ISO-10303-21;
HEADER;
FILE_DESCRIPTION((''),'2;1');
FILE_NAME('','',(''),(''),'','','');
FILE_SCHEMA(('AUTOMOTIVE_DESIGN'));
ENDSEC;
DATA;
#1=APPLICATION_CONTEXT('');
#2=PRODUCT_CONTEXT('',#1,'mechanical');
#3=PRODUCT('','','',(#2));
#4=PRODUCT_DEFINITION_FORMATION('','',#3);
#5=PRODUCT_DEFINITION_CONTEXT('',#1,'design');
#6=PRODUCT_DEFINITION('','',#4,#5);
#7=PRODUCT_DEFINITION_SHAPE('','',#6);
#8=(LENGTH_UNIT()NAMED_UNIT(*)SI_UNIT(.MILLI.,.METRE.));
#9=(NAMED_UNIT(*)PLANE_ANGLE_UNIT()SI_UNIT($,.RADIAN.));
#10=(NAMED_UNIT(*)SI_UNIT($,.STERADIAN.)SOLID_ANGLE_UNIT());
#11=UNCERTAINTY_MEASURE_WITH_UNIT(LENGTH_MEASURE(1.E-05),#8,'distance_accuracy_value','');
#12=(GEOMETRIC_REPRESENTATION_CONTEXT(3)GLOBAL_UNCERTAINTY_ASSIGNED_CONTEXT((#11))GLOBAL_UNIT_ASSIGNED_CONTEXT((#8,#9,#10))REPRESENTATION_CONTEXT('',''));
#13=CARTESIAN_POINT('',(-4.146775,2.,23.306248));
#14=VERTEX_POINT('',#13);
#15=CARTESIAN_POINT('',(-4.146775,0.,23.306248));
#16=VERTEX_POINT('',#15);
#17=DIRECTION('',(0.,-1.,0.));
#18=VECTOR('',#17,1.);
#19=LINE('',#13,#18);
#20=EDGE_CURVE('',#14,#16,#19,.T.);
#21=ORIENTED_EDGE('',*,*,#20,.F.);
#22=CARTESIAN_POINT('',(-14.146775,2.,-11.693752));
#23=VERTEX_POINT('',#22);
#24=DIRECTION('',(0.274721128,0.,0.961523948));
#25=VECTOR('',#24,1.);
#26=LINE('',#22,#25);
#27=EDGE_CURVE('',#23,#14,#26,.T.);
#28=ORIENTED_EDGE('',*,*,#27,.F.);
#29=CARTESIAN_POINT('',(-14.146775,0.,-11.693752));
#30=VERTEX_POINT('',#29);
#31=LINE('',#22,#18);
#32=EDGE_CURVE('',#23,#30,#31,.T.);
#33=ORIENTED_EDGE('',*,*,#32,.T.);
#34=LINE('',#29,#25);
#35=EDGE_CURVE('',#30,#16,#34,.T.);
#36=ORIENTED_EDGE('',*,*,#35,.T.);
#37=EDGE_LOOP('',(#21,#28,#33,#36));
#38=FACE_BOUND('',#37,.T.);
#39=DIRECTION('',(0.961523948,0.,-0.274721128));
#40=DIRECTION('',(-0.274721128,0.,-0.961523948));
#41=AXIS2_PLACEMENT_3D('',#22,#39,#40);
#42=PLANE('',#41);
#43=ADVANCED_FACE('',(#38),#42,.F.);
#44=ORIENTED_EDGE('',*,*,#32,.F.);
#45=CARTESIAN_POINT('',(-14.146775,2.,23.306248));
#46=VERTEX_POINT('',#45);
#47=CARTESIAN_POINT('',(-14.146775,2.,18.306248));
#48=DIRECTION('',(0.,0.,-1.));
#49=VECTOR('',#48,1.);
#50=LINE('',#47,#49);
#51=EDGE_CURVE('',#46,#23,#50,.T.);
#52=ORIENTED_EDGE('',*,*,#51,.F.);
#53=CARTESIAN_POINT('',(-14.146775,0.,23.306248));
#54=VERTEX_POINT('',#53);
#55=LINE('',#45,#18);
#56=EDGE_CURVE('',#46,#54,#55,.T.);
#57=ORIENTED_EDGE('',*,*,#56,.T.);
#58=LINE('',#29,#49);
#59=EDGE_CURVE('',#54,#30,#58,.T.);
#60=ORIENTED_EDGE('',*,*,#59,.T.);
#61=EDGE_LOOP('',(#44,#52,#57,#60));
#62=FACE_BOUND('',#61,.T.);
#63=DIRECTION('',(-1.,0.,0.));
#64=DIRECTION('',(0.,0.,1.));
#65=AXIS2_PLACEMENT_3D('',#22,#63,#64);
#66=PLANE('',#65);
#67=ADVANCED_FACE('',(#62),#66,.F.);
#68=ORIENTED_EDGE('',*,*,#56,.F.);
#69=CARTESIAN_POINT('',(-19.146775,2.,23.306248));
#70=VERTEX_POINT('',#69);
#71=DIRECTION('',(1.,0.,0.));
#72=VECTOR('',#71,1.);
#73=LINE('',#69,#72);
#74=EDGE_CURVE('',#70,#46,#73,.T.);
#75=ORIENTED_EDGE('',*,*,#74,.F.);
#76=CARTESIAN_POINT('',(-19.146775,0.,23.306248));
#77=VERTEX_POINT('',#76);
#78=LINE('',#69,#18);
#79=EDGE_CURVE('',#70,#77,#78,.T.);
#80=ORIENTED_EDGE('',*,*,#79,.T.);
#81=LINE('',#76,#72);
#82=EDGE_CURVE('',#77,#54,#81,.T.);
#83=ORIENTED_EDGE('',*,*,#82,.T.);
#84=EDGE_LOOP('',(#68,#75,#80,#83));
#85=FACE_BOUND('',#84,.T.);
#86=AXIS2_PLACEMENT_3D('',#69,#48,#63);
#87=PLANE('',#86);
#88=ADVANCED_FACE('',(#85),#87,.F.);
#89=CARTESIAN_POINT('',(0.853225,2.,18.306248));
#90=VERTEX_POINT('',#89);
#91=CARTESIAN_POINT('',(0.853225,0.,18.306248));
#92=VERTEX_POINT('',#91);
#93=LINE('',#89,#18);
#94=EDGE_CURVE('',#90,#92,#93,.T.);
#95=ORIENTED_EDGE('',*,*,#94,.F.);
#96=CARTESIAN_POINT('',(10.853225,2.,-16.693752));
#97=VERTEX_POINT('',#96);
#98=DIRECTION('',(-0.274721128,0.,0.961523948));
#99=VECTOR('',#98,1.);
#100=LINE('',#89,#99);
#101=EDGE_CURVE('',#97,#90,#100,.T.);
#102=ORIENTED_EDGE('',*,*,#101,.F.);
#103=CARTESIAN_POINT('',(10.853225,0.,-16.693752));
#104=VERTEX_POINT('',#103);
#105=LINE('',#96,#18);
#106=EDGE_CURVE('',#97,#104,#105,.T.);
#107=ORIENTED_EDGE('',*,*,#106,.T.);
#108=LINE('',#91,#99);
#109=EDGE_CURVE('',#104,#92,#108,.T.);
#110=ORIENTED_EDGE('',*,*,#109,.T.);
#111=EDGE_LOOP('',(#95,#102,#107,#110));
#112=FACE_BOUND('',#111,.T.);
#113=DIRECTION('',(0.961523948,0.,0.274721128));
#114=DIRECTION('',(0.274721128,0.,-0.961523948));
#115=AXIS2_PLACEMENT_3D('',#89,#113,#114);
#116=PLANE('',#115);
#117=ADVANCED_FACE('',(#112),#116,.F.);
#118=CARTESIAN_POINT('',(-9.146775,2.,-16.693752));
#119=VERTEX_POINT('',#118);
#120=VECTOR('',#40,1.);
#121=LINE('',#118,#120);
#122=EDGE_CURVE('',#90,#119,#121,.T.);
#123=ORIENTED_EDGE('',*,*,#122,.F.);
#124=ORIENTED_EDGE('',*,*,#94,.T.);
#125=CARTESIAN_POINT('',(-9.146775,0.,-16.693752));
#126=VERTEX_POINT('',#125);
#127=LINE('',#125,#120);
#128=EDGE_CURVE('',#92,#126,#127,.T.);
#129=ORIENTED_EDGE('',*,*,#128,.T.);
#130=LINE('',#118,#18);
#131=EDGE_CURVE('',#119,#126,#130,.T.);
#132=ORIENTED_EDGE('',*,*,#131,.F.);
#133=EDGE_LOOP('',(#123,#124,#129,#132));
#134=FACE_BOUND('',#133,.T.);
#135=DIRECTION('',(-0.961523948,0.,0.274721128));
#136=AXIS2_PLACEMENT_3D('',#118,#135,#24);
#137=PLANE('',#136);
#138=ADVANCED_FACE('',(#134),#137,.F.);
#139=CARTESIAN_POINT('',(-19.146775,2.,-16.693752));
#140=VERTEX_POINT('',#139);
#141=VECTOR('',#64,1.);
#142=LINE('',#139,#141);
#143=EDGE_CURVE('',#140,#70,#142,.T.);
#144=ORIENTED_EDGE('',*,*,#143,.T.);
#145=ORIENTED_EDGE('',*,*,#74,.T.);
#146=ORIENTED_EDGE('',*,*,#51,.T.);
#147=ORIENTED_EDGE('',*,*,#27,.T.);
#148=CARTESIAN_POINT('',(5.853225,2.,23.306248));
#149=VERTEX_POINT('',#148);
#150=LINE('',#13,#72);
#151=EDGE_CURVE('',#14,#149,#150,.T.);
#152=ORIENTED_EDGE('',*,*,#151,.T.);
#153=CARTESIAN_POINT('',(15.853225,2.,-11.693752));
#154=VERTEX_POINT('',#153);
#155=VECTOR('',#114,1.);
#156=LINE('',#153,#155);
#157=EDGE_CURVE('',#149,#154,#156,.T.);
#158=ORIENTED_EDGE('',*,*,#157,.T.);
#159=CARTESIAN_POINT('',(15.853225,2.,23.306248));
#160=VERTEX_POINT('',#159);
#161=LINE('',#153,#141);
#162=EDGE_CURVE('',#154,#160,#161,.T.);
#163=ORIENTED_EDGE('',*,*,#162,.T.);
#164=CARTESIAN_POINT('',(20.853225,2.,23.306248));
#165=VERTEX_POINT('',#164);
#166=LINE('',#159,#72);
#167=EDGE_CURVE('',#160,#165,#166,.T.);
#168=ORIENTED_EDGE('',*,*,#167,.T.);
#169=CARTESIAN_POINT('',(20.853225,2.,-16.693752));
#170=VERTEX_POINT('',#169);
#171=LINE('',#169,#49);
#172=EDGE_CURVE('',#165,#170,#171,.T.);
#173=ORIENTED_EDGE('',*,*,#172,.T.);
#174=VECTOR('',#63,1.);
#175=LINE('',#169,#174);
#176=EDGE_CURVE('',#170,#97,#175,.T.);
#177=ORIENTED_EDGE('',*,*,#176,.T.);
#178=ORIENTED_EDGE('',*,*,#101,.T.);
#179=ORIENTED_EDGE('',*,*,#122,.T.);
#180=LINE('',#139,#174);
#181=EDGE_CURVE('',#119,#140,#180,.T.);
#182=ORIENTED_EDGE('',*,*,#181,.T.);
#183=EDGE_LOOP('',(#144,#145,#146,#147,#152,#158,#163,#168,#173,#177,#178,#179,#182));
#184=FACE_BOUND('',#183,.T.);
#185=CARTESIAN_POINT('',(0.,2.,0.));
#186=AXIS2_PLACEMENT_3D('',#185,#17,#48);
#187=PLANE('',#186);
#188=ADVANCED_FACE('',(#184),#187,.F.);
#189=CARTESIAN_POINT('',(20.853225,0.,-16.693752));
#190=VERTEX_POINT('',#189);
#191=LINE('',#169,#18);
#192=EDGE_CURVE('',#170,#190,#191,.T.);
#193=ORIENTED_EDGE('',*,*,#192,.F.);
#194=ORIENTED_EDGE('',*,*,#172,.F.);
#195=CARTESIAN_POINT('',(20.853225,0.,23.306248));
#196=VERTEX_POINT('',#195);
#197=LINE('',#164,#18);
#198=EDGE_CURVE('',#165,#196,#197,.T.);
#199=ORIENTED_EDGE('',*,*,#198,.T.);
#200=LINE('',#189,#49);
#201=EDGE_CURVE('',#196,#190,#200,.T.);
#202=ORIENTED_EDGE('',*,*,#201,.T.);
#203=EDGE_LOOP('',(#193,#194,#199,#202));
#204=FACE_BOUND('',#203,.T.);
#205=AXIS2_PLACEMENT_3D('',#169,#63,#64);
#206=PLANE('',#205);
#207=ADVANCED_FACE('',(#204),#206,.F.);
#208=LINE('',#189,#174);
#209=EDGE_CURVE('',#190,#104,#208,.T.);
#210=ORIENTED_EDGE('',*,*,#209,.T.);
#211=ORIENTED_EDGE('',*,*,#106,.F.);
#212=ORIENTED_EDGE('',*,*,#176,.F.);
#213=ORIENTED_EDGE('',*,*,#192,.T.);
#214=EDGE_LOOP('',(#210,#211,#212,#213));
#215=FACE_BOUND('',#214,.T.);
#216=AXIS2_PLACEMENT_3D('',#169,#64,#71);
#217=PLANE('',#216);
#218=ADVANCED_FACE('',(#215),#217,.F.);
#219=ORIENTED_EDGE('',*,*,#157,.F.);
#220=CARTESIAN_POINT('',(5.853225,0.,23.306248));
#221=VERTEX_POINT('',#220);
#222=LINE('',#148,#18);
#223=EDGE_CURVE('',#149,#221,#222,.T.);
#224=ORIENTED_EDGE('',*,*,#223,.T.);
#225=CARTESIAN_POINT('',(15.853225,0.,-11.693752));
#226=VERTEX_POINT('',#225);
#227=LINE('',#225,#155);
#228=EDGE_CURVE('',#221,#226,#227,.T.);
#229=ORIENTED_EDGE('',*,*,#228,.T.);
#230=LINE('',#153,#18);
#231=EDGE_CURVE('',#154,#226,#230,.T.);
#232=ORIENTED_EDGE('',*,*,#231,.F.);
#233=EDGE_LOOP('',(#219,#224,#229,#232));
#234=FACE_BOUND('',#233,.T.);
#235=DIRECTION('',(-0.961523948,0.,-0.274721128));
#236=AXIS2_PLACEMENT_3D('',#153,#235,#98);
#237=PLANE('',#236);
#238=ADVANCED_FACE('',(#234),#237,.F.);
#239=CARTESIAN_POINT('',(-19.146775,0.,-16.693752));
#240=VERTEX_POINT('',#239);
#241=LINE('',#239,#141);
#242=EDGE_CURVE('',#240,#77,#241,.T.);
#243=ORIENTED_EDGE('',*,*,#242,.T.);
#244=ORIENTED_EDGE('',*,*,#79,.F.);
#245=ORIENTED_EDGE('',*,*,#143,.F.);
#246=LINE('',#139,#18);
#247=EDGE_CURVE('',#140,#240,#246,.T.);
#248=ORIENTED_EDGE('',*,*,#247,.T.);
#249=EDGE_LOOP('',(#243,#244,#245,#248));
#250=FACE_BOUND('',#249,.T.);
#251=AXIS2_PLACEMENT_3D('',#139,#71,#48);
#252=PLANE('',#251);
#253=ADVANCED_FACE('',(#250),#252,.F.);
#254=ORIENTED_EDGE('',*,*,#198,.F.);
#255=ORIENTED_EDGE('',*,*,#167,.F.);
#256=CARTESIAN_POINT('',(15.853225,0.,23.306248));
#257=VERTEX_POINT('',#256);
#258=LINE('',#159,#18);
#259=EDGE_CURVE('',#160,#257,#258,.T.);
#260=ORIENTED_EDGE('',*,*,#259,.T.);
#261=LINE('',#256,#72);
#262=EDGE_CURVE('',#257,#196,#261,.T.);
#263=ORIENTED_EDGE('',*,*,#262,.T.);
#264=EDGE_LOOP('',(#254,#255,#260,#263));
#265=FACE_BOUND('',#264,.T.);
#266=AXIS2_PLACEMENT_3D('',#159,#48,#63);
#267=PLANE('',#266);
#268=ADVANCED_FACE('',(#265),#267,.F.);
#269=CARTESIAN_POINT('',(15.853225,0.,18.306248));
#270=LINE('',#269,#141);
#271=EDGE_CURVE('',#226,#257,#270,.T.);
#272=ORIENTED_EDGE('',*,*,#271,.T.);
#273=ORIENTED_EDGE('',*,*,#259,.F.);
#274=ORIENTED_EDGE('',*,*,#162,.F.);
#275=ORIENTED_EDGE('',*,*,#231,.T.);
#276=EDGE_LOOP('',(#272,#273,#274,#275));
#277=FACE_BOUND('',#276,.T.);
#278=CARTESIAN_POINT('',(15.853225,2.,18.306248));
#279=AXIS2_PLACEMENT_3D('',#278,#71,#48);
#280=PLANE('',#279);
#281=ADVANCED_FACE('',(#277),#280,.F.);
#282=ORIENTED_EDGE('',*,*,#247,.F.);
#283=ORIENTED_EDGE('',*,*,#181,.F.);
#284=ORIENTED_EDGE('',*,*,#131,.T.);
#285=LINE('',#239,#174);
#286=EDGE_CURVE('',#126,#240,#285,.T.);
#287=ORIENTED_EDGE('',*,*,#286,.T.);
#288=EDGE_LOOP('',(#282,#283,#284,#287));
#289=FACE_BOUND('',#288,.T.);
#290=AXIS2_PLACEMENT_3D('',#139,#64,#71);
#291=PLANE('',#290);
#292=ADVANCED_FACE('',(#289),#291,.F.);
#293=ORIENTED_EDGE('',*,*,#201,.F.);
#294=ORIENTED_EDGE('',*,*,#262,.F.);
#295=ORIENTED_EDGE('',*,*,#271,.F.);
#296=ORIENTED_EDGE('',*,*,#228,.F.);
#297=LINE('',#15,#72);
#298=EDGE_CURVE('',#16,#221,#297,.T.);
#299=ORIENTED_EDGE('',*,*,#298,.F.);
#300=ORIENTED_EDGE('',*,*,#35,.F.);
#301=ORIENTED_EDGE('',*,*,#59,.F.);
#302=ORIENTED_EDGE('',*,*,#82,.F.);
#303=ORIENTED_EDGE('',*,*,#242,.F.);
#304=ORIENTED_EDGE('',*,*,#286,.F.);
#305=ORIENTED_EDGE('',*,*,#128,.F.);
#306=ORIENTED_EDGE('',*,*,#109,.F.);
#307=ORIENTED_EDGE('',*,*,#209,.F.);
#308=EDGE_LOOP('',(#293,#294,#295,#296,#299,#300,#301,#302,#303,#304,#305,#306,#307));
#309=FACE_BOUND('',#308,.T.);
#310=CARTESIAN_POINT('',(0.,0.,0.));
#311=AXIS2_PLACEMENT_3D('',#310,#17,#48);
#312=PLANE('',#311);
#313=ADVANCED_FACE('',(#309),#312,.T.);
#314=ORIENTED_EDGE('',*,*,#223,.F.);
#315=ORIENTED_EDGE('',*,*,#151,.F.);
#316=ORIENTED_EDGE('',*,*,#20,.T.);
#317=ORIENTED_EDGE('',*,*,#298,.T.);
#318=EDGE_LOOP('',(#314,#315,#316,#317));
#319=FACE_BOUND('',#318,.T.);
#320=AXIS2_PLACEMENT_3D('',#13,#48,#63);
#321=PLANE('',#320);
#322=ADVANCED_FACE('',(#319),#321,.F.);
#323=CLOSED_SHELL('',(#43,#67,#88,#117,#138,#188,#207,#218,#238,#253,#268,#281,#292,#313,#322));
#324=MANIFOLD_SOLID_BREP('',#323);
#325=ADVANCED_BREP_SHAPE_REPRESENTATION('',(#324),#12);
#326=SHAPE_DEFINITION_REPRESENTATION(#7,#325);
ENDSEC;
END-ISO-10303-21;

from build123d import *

# Parameters (mm, degrees)
BOSS_EXTRUDE2_DEPTH = 2


with BuildPart() as part:
    # Sketch1 → Boss-Extrude2 (new body)
    with BuildSketch(Plane(origin=(0, 0, 0), x_dir=(1, 0, 0), z_dir=(0, 1, 0))):
        Polygon((-19.14677476, 16.693752194), (-9.14677476, 16.693752194), (0.85322524, -18.306247806), (10.85322524, 16.693752194), (20.85322524, 16.693752194), (20.85322524, -23.306247806), (15.85322524, -23.306247806), (15.85322524, -18.306247806), (15.85322524, 11.693752194), (5.85322524, -23.306247806), (-4.14677476, -23.306247806), (-14.14677476, 11.693752194), (-14.14677476, -18.306247806), (-14.14677476, -23.306247806), (-19.14677476, -23.306247806), align=None)
    extrude(amount=BOSS_EXTRUDE2_DEPTH)


solid = part.part
